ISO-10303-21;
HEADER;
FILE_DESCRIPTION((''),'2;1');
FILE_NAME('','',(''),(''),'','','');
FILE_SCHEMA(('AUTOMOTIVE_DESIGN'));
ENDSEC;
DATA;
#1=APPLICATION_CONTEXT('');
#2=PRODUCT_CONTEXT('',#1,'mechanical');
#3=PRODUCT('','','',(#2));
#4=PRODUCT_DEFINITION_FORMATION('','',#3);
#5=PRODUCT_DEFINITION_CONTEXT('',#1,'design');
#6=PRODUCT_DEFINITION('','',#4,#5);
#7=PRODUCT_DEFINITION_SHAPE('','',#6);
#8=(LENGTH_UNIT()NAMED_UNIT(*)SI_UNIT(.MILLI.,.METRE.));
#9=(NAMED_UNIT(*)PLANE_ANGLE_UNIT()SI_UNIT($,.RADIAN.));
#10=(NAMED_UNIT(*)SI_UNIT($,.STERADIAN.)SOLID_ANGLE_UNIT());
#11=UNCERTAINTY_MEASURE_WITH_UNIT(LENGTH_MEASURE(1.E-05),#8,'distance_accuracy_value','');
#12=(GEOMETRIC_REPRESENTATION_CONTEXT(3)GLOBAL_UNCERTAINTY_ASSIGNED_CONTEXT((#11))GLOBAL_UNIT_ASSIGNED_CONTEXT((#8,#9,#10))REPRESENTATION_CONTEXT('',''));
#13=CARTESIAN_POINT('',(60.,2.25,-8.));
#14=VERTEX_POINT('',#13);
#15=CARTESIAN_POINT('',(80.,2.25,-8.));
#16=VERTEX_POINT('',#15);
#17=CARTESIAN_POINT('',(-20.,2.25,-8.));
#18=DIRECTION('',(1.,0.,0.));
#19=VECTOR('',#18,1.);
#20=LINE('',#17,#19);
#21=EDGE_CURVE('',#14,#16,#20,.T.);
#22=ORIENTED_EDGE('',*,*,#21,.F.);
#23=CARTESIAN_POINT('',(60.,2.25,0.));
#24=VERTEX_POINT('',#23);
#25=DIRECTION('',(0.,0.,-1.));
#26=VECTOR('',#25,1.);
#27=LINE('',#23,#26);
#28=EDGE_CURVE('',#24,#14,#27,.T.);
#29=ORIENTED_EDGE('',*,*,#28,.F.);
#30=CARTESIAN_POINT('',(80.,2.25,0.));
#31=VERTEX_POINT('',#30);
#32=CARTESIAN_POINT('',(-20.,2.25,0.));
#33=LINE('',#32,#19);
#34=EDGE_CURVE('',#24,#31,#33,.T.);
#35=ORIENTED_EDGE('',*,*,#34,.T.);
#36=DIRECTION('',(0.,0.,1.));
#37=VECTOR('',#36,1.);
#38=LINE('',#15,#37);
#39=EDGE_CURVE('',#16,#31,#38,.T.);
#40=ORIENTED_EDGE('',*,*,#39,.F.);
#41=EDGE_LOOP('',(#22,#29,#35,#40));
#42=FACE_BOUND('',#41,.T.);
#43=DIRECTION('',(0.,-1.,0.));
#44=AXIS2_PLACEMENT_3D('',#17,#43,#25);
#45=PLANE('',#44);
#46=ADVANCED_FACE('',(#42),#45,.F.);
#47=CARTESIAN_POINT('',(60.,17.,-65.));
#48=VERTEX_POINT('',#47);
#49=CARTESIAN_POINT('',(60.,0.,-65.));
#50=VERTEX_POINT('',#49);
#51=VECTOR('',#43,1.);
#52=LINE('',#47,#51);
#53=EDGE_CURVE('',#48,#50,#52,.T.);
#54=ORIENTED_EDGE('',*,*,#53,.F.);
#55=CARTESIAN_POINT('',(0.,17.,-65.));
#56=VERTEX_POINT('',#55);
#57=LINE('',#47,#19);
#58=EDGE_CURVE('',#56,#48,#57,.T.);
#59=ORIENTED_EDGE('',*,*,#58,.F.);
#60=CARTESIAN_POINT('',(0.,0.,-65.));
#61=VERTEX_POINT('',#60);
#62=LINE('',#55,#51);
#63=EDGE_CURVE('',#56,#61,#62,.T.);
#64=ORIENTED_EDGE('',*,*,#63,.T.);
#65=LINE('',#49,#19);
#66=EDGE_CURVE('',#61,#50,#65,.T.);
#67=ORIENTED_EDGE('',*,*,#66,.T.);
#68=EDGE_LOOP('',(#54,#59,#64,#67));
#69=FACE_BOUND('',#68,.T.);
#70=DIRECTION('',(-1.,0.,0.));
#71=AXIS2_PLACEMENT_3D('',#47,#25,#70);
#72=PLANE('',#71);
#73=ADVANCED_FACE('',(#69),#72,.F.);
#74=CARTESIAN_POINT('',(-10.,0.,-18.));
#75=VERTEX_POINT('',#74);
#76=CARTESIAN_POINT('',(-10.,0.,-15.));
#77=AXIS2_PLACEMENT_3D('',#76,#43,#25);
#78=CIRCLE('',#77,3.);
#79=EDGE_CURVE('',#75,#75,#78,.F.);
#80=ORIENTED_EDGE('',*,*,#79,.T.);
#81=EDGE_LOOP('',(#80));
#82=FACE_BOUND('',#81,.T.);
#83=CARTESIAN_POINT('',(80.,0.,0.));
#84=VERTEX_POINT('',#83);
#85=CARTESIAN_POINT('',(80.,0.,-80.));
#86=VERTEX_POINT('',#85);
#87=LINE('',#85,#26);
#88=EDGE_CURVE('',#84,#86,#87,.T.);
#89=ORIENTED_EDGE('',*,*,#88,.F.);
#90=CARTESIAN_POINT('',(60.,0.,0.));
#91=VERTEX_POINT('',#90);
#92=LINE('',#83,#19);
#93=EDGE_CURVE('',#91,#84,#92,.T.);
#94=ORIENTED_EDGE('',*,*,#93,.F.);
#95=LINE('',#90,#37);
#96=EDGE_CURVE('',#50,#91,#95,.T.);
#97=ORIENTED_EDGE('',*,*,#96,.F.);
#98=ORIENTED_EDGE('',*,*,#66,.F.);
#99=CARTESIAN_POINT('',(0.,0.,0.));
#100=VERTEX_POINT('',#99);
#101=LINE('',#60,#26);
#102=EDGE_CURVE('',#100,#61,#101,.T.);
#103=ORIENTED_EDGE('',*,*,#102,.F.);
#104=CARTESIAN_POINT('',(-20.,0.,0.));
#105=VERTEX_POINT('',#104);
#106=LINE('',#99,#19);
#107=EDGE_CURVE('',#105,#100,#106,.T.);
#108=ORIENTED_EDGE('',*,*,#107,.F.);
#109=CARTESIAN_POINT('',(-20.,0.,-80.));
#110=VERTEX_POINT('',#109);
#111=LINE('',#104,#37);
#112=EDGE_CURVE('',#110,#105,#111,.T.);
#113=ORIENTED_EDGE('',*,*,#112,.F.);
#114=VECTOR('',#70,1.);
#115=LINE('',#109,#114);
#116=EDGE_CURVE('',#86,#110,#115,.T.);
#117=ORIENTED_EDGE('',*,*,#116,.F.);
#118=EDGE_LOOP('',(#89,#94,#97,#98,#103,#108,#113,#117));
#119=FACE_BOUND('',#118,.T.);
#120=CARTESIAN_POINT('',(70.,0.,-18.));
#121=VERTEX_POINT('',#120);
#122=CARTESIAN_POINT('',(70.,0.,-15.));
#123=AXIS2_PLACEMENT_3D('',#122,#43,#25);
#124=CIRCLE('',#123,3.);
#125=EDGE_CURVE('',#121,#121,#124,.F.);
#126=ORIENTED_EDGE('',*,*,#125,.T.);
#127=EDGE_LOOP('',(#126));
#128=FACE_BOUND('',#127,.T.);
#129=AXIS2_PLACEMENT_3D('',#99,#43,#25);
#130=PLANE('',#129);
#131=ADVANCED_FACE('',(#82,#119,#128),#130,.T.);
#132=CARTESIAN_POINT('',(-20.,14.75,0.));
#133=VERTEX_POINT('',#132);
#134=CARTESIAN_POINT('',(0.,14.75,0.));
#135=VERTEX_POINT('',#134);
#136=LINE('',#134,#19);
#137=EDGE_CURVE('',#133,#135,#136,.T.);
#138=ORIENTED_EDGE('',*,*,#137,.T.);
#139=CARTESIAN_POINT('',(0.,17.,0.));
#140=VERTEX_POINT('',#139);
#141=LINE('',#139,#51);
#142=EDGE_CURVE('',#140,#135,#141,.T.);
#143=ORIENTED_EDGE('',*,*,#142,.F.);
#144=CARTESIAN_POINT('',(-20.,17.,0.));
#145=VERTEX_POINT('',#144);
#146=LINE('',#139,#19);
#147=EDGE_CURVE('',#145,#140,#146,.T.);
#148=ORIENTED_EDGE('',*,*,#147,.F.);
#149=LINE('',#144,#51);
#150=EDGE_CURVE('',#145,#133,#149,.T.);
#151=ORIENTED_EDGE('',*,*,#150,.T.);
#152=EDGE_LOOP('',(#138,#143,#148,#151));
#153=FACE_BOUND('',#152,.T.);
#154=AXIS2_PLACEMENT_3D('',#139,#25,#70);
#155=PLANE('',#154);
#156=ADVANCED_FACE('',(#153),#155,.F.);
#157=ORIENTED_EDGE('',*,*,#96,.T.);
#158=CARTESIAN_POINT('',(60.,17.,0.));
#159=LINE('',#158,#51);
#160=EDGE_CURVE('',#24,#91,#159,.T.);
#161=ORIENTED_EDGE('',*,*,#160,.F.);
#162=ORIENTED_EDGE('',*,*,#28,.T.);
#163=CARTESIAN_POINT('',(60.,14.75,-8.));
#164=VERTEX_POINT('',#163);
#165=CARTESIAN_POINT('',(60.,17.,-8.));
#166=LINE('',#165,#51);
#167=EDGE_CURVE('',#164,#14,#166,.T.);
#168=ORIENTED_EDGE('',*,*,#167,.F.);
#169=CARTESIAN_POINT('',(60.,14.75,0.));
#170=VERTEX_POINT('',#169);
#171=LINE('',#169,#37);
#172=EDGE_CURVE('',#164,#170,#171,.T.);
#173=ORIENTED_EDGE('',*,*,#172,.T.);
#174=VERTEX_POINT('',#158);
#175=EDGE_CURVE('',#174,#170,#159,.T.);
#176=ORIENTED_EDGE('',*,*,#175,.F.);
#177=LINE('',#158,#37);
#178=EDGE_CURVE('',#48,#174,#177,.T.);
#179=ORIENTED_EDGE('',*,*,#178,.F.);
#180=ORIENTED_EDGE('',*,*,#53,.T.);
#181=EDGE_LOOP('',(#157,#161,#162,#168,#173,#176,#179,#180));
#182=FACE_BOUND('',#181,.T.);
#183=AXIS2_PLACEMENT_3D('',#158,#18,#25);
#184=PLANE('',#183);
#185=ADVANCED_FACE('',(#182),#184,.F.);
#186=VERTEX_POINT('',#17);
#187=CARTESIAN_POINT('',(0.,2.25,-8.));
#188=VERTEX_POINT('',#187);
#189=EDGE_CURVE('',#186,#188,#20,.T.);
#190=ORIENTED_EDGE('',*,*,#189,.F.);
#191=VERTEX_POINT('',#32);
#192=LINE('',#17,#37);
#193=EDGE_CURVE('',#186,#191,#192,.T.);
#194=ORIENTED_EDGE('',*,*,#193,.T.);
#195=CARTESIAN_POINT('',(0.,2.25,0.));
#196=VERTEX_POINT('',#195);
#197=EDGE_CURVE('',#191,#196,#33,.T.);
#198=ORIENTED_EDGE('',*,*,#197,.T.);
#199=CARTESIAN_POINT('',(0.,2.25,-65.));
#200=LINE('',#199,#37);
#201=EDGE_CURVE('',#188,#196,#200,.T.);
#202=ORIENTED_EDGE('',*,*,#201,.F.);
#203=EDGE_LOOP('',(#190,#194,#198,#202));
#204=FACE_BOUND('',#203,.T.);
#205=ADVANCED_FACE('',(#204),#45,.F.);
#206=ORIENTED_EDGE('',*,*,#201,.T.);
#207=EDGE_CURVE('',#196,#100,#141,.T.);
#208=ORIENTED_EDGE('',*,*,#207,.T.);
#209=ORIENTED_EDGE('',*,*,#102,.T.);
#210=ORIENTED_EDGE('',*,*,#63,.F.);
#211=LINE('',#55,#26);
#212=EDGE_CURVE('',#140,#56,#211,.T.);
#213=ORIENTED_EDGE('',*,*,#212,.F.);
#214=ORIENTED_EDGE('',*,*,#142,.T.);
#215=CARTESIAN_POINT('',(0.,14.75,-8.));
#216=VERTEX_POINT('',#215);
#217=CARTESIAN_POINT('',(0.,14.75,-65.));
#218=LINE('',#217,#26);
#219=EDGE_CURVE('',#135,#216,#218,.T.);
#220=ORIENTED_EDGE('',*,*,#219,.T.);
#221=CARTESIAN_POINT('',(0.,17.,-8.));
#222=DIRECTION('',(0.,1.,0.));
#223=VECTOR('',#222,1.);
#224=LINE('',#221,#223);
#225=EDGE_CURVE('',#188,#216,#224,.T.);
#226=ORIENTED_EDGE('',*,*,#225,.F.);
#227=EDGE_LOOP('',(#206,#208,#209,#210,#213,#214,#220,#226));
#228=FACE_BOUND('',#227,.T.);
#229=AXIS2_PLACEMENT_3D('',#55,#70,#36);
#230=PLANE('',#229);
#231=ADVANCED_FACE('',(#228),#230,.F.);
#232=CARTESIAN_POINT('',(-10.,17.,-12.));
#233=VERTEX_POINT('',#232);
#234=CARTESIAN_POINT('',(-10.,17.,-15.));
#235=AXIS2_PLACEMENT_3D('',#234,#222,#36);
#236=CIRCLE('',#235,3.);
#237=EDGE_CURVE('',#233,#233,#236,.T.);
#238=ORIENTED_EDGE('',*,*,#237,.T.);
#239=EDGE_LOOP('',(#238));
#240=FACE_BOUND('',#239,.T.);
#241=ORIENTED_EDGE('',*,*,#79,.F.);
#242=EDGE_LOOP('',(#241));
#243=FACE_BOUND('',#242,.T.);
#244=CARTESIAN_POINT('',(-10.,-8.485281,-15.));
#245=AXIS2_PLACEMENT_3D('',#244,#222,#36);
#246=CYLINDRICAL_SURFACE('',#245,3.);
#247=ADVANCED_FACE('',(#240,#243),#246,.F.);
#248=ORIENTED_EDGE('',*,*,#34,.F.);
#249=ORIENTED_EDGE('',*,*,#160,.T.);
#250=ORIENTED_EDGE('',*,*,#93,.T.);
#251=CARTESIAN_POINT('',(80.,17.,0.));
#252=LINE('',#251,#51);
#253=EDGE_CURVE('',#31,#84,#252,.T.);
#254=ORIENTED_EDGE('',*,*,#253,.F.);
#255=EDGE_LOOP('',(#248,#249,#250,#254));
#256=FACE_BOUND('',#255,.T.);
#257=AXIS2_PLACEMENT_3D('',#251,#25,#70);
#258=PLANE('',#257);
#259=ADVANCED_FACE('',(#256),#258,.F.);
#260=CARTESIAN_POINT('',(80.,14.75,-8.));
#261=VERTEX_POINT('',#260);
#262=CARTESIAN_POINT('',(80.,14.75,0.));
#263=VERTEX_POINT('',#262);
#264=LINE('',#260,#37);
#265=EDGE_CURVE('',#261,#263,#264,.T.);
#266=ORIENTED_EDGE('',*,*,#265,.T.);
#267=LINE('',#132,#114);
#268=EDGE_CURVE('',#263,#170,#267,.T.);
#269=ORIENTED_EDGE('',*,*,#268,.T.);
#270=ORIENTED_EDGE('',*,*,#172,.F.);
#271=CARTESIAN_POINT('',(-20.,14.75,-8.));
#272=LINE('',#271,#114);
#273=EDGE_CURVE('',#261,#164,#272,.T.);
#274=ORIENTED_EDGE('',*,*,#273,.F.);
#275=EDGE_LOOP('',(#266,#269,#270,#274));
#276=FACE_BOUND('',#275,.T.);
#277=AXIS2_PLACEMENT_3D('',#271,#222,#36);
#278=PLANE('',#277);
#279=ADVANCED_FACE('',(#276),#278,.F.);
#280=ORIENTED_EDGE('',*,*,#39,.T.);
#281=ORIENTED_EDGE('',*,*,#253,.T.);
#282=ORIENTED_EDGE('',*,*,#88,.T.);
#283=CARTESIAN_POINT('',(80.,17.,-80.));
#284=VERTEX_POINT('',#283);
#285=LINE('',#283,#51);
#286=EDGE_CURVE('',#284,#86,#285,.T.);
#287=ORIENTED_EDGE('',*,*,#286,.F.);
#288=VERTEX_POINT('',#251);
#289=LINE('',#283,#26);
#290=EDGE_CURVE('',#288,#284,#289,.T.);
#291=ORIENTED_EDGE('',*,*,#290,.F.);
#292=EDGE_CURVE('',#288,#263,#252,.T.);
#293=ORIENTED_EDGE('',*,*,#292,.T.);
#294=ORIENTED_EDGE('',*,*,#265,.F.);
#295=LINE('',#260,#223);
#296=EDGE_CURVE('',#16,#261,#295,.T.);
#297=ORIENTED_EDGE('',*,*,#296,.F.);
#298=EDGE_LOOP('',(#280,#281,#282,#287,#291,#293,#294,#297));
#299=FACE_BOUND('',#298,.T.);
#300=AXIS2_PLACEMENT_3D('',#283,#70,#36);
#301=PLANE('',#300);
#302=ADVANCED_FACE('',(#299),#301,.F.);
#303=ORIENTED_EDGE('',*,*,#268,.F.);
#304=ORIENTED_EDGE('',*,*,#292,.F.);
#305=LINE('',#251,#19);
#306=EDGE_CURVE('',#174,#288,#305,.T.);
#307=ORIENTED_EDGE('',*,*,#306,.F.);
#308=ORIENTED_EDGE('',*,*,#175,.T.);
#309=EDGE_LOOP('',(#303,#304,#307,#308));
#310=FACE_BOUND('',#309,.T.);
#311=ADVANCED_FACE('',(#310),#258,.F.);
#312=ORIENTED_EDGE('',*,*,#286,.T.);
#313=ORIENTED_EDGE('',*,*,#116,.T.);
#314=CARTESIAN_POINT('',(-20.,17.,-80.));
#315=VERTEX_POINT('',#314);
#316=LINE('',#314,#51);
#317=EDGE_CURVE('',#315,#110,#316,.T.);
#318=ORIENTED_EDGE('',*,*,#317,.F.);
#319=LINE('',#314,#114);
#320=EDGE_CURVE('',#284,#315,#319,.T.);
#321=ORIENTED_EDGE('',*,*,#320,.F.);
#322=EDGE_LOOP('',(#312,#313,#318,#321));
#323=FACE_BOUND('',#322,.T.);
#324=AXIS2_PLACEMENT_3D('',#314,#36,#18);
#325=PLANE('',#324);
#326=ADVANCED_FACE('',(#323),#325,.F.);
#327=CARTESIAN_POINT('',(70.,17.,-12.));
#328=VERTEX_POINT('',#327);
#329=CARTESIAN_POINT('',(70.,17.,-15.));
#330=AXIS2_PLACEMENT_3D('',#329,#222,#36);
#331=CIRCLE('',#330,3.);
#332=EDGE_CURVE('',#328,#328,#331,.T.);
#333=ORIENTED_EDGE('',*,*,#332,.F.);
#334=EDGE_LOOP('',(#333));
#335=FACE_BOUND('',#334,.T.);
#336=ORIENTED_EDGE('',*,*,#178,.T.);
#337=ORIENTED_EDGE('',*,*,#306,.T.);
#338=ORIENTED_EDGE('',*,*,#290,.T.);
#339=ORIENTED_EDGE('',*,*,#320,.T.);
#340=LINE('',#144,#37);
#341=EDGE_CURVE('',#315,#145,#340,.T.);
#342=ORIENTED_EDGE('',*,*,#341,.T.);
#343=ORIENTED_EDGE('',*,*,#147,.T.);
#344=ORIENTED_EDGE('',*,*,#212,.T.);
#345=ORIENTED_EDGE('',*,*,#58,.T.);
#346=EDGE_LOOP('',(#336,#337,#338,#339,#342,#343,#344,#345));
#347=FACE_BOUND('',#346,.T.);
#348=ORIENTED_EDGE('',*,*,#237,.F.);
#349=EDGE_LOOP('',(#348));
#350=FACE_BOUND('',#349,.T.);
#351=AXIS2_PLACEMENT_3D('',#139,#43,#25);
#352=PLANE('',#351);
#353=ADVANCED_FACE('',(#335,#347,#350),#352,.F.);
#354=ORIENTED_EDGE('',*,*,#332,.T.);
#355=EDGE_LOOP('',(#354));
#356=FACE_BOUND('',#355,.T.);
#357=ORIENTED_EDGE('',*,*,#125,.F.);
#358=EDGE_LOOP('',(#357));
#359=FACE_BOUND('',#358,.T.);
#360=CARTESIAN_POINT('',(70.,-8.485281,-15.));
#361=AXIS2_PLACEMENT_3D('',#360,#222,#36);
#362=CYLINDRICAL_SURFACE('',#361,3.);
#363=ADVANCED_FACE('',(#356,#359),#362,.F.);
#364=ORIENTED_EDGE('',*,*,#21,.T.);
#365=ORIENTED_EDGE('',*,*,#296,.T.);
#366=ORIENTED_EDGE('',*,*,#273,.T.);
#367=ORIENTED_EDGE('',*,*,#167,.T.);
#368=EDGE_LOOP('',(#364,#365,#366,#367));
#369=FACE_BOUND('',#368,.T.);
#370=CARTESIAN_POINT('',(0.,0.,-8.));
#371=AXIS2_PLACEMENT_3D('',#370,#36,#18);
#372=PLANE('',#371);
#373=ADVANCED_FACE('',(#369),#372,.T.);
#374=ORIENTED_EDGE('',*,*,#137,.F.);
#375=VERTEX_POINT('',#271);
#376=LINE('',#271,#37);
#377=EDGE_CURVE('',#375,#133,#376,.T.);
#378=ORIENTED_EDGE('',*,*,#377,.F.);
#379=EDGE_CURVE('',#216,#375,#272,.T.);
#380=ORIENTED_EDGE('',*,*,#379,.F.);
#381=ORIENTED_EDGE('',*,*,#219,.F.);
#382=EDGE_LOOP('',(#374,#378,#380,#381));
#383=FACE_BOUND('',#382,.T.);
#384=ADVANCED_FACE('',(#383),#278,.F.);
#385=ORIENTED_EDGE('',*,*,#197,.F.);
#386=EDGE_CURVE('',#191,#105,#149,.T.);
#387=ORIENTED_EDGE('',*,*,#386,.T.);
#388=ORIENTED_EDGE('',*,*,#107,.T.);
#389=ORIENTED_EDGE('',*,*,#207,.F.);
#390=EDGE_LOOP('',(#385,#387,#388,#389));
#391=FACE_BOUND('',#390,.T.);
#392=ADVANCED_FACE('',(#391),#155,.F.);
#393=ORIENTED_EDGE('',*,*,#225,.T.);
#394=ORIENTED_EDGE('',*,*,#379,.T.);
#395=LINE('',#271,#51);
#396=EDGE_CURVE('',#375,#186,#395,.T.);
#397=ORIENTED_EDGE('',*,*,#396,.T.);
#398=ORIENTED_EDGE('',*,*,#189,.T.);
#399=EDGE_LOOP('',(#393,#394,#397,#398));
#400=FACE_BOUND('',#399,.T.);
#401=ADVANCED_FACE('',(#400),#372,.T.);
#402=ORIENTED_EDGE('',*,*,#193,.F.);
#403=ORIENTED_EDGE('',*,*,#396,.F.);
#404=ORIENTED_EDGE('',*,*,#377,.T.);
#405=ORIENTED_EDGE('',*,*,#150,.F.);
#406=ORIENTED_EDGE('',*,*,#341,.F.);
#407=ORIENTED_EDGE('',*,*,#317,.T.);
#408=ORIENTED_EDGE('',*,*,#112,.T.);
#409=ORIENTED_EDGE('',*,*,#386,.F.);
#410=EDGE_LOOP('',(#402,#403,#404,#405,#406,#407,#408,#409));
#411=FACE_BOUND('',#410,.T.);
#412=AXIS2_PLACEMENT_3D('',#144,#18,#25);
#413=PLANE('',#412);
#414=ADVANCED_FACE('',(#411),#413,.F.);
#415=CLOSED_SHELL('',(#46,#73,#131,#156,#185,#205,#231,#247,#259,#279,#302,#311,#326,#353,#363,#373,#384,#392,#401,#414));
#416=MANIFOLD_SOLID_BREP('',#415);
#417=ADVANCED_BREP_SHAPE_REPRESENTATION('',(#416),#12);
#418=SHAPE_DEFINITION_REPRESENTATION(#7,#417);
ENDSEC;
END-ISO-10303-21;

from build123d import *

# Parameters (mm, degrees)
SALIENTE_EXTRUIR1_DEPTH = 17
CROQUIS2_W              = 100
CROQUIS2_H              = 12.5
CORTAR_EXTRUIR1_DEPTH   = 8
CROQUIS3_R              = 3
CORTAR_EXTRUIR2_DEPTH   = 17


with BuildPart() as part:
    # Croquis1 → Saliente-Extruir1 (new body)
    with BuildSketch(Plane(origin=(0, 0, 0), x_dir=(1, 0, 0), z_dir=(0, 1, 0))):
        Polygon((0, 0), (-20, 0), (-20, 80), (80, 80), (80, 0), (60, 0), (60, 65), (0, 65), align=None)
    extrude(amount=SALIENTE_EXTRUIR1_DEPTH)

    # Croquis2 → Cortar-Extruir1 (cut)
    with BuildSketch(Plane.XY):
        with Locations((30, 8.5)):
            Rectangle(CROQUIS2_W, CROQUIS2_H)
    extrude(amount=-CORTAR_EXTRUIR1_DEPTH, mode=Mode.SUBTRACT)

    # Croquis3 → Cortar-Extruir2 (cut)
    with BuildSketch(Plane(origin=(0, 17, 0), x_dir=(1, 0, 0), z_dir=(0, 1, 0))):
        with Locations(Location((-10, 15, 0), (0, 0, 270))):
            Circle(CROQUIS3_R)
        with Locations(Location((70, 15, 0), (0, 0, 270))):
            Circle(CROQUIS3_R)
    extrude(amount=-CORTAR_EXTRUIR2_DEPTH, mode=Mode.SUBTRACT)


solid = part.part
